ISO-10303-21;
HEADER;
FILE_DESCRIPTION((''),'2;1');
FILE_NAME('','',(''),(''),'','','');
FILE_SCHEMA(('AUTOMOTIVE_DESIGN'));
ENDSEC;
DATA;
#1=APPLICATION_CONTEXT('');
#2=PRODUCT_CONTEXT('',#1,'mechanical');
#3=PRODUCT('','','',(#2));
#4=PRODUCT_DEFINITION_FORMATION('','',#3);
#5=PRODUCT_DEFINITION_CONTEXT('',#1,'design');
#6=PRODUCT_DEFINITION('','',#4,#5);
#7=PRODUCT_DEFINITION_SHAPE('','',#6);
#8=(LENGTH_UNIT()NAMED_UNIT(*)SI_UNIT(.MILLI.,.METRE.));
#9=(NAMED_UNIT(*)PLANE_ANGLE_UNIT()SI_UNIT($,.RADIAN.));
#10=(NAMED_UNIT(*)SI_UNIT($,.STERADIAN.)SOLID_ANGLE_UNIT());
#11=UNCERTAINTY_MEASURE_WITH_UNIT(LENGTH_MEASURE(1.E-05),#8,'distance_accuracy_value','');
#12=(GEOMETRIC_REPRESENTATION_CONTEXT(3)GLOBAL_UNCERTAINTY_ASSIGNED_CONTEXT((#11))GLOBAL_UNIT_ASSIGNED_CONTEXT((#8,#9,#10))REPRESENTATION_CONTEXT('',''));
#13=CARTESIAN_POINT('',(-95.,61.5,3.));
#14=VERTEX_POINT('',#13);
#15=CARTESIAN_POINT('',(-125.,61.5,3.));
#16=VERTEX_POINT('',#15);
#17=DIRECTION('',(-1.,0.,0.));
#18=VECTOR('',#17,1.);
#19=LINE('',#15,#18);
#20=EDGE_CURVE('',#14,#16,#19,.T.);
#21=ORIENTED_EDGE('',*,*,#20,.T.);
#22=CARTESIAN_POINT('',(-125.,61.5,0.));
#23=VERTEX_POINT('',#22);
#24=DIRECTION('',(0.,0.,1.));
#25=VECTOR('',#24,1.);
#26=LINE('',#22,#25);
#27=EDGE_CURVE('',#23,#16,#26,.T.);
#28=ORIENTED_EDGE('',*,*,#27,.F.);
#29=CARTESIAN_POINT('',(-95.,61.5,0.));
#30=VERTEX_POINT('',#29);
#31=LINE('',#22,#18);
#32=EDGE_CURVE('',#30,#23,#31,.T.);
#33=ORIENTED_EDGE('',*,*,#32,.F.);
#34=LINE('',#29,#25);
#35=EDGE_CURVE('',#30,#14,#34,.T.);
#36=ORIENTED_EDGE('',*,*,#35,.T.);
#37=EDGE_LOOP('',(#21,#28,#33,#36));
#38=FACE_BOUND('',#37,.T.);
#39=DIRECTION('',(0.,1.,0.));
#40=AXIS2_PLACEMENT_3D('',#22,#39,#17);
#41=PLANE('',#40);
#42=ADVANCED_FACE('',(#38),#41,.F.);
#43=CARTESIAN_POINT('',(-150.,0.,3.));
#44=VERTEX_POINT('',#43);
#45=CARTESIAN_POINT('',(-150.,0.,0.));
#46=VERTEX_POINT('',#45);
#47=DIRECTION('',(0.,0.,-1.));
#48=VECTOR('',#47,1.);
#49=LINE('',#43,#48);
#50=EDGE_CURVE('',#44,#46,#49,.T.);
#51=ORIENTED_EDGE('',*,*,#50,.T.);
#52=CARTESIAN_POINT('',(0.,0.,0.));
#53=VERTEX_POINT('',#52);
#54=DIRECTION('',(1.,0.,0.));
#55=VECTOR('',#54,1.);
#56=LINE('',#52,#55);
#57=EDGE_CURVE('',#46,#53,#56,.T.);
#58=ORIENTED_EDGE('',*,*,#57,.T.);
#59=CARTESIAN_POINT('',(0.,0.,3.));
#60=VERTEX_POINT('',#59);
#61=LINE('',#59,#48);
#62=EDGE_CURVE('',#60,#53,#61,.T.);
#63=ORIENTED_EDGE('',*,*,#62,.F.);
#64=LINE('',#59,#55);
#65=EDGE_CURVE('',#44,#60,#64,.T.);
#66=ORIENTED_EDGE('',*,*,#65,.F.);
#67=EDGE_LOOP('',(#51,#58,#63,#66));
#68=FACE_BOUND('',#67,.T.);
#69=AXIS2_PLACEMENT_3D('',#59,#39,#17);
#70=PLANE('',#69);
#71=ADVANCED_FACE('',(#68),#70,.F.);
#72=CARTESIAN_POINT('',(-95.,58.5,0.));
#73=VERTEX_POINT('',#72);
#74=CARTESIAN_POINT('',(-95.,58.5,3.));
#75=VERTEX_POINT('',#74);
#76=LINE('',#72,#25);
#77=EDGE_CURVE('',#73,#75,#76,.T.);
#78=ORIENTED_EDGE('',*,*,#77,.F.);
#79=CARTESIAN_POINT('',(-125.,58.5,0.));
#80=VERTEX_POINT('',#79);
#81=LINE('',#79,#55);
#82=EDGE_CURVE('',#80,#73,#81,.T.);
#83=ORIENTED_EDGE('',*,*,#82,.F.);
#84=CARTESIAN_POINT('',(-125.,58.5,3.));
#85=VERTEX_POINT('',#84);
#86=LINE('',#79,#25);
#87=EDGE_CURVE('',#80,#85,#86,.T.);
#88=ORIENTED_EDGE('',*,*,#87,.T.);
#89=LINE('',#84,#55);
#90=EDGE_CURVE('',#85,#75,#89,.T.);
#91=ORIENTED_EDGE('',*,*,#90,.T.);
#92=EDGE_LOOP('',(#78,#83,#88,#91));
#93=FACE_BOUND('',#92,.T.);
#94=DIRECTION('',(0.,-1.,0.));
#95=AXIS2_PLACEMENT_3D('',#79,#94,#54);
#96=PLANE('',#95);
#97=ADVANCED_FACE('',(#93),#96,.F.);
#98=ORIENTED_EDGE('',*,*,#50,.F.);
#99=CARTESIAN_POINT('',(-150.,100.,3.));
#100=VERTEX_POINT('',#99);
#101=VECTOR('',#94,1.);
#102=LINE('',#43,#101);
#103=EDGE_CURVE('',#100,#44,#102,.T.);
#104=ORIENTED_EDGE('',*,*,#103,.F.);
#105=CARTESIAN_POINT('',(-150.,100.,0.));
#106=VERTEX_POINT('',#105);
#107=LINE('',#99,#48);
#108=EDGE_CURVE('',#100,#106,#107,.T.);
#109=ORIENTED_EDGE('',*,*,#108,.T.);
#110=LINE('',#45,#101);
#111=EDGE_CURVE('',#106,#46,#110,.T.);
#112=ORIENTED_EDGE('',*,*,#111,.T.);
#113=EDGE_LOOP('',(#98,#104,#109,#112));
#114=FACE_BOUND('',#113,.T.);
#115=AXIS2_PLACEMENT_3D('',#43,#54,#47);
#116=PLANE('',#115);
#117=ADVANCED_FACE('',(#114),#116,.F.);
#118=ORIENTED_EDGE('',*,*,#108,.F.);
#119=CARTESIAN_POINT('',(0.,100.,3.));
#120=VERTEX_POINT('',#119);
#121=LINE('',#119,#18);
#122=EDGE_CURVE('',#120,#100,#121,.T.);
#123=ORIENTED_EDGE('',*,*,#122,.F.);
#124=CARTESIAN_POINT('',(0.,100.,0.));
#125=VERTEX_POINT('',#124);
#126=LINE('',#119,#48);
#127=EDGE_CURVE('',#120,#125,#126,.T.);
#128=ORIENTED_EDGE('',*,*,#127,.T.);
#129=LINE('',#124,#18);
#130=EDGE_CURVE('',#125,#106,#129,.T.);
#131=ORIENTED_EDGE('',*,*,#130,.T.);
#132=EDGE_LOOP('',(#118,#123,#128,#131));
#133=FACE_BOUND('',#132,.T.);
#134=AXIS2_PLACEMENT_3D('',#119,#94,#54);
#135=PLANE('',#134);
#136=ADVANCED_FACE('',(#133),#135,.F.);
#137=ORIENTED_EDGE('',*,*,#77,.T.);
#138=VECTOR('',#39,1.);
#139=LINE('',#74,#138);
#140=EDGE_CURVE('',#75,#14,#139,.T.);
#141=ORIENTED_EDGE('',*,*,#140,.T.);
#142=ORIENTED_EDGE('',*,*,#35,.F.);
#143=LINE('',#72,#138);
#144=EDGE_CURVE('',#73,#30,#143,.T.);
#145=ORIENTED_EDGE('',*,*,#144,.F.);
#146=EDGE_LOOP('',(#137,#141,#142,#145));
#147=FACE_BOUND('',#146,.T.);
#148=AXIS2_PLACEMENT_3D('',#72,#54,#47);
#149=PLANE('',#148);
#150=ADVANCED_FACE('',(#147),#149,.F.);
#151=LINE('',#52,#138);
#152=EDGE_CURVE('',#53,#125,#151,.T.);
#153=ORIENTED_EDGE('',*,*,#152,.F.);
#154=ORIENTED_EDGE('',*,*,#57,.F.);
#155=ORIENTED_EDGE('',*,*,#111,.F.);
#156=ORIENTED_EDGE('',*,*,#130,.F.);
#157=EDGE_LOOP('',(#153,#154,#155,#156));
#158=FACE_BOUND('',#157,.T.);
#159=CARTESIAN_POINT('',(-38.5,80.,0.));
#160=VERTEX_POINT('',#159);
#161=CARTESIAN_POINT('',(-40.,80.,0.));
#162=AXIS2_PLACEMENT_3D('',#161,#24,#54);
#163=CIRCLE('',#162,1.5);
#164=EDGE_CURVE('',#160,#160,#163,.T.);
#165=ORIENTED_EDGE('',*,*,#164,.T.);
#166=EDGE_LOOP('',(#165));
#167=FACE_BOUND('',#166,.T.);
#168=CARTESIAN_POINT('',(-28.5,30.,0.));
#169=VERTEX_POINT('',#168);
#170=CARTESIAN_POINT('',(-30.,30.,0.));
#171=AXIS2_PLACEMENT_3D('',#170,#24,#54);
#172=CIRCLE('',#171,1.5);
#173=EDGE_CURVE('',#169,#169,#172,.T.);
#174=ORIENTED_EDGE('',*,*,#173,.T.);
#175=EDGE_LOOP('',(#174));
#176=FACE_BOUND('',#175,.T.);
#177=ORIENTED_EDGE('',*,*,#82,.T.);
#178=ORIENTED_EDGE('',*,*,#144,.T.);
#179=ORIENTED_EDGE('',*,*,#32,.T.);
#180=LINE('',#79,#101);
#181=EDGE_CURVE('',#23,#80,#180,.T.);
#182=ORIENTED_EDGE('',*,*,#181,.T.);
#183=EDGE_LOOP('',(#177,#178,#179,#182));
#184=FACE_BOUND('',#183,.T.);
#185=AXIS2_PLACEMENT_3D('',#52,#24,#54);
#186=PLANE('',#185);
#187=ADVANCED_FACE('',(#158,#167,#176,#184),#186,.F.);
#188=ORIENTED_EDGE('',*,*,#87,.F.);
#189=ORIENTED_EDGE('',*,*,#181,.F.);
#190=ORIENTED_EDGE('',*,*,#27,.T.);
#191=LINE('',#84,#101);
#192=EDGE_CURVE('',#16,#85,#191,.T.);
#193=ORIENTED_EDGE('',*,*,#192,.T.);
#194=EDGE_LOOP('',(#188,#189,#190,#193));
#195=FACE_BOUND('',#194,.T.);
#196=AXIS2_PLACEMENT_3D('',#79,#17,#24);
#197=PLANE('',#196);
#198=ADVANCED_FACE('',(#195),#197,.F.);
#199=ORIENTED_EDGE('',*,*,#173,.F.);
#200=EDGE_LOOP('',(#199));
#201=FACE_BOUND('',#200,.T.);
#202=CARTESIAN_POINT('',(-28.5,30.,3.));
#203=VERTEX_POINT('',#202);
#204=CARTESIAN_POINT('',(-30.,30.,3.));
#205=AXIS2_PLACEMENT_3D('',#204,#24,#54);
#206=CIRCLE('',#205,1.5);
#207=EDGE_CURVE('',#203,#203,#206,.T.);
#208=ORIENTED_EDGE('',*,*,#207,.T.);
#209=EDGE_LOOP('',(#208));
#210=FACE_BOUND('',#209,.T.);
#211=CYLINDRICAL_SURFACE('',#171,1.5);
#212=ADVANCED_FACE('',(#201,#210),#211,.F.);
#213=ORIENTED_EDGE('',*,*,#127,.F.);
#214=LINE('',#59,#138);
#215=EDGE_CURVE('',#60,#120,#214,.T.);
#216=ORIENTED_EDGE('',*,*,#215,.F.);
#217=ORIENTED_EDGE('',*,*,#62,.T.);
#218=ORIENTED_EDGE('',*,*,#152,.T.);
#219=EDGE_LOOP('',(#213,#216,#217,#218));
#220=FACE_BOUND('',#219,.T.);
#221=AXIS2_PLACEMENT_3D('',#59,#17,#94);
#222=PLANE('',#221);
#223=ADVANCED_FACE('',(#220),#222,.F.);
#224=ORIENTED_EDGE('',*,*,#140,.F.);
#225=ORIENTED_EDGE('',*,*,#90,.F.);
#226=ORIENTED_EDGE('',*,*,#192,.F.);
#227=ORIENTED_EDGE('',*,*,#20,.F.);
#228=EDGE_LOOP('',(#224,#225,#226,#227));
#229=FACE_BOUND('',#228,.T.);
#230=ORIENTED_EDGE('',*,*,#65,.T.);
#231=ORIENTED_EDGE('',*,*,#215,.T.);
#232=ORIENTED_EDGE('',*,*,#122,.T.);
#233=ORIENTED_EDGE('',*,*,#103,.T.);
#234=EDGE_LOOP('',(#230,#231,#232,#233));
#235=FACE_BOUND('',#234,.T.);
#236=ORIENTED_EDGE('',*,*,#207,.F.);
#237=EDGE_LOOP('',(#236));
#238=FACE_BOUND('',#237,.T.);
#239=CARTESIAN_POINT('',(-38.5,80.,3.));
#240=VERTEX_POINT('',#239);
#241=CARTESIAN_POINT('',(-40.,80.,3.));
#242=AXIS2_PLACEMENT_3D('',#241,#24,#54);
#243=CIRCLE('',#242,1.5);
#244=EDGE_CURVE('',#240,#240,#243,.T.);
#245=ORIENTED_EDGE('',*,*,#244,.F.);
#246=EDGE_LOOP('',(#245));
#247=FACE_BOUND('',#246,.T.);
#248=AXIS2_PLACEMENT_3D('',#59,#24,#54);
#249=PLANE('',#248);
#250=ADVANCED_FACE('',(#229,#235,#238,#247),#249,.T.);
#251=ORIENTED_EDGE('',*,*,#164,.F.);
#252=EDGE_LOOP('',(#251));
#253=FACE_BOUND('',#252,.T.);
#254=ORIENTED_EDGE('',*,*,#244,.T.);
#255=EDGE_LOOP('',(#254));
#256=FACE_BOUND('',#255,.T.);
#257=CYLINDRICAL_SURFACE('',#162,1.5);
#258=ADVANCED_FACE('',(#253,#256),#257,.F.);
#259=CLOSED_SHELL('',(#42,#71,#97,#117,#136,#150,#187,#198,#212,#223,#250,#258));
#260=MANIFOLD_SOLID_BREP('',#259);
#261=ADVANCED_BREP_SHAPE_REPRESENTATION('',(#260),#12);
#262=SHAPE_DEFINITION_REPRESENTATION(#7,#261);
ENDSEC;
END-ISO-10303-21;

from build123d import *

# Parameters (mm, degrees)
SKETCH_1_W          = 150
SKETCH_1_H          = 100
EXTRUDE_2_DEPTH     = 3
SKETCH_2_R          = 1.5
CUT_EXTRUDE_1_DEPTH = 181.302523554
SKETCH_3_W          = 30
SKETCH_3_H          = 3
CUT_EXTRUDE_2_DEPTH = 181.302523554


with BuildPart() as part:
    # 草图1 → 凸台-拉伸2 (new body)
    with BuildSketch(Plane.XY):
        with Locations((-75, 50)):
            Rectangle(SKETCH_1_W, SKETCH_1_H)
    extrude(amount=EXTRUDE_2_DEPTH)

    # 草图2 → 切除-拉伸1 (cut, through all)
    with BuildSketch(Plane.XY.offset(3)):
        with Locations((-30, 30)):
            Circle(SKETCH_2_R)
        with Locations((-40, 80)):
            Circle(SKETCH_2_R)
    extrude(amount=-CUT_EXTRUDE_1_DEPTH, mode=Mode.SUBTRACT)

    # 草图3 → 切除-拉伸2 (cut, through all)
    with BuildSketch(Plane.XY.offset(3)):
        with Locations((-110, 60)):
            Rectangle(SKETCH_3_W, SKETCH_3_H)
    extrude(amount=-CUT_EXTRUDE_2_DEPTH, mode=Mode.SUBTRACT)


solid = part.part
